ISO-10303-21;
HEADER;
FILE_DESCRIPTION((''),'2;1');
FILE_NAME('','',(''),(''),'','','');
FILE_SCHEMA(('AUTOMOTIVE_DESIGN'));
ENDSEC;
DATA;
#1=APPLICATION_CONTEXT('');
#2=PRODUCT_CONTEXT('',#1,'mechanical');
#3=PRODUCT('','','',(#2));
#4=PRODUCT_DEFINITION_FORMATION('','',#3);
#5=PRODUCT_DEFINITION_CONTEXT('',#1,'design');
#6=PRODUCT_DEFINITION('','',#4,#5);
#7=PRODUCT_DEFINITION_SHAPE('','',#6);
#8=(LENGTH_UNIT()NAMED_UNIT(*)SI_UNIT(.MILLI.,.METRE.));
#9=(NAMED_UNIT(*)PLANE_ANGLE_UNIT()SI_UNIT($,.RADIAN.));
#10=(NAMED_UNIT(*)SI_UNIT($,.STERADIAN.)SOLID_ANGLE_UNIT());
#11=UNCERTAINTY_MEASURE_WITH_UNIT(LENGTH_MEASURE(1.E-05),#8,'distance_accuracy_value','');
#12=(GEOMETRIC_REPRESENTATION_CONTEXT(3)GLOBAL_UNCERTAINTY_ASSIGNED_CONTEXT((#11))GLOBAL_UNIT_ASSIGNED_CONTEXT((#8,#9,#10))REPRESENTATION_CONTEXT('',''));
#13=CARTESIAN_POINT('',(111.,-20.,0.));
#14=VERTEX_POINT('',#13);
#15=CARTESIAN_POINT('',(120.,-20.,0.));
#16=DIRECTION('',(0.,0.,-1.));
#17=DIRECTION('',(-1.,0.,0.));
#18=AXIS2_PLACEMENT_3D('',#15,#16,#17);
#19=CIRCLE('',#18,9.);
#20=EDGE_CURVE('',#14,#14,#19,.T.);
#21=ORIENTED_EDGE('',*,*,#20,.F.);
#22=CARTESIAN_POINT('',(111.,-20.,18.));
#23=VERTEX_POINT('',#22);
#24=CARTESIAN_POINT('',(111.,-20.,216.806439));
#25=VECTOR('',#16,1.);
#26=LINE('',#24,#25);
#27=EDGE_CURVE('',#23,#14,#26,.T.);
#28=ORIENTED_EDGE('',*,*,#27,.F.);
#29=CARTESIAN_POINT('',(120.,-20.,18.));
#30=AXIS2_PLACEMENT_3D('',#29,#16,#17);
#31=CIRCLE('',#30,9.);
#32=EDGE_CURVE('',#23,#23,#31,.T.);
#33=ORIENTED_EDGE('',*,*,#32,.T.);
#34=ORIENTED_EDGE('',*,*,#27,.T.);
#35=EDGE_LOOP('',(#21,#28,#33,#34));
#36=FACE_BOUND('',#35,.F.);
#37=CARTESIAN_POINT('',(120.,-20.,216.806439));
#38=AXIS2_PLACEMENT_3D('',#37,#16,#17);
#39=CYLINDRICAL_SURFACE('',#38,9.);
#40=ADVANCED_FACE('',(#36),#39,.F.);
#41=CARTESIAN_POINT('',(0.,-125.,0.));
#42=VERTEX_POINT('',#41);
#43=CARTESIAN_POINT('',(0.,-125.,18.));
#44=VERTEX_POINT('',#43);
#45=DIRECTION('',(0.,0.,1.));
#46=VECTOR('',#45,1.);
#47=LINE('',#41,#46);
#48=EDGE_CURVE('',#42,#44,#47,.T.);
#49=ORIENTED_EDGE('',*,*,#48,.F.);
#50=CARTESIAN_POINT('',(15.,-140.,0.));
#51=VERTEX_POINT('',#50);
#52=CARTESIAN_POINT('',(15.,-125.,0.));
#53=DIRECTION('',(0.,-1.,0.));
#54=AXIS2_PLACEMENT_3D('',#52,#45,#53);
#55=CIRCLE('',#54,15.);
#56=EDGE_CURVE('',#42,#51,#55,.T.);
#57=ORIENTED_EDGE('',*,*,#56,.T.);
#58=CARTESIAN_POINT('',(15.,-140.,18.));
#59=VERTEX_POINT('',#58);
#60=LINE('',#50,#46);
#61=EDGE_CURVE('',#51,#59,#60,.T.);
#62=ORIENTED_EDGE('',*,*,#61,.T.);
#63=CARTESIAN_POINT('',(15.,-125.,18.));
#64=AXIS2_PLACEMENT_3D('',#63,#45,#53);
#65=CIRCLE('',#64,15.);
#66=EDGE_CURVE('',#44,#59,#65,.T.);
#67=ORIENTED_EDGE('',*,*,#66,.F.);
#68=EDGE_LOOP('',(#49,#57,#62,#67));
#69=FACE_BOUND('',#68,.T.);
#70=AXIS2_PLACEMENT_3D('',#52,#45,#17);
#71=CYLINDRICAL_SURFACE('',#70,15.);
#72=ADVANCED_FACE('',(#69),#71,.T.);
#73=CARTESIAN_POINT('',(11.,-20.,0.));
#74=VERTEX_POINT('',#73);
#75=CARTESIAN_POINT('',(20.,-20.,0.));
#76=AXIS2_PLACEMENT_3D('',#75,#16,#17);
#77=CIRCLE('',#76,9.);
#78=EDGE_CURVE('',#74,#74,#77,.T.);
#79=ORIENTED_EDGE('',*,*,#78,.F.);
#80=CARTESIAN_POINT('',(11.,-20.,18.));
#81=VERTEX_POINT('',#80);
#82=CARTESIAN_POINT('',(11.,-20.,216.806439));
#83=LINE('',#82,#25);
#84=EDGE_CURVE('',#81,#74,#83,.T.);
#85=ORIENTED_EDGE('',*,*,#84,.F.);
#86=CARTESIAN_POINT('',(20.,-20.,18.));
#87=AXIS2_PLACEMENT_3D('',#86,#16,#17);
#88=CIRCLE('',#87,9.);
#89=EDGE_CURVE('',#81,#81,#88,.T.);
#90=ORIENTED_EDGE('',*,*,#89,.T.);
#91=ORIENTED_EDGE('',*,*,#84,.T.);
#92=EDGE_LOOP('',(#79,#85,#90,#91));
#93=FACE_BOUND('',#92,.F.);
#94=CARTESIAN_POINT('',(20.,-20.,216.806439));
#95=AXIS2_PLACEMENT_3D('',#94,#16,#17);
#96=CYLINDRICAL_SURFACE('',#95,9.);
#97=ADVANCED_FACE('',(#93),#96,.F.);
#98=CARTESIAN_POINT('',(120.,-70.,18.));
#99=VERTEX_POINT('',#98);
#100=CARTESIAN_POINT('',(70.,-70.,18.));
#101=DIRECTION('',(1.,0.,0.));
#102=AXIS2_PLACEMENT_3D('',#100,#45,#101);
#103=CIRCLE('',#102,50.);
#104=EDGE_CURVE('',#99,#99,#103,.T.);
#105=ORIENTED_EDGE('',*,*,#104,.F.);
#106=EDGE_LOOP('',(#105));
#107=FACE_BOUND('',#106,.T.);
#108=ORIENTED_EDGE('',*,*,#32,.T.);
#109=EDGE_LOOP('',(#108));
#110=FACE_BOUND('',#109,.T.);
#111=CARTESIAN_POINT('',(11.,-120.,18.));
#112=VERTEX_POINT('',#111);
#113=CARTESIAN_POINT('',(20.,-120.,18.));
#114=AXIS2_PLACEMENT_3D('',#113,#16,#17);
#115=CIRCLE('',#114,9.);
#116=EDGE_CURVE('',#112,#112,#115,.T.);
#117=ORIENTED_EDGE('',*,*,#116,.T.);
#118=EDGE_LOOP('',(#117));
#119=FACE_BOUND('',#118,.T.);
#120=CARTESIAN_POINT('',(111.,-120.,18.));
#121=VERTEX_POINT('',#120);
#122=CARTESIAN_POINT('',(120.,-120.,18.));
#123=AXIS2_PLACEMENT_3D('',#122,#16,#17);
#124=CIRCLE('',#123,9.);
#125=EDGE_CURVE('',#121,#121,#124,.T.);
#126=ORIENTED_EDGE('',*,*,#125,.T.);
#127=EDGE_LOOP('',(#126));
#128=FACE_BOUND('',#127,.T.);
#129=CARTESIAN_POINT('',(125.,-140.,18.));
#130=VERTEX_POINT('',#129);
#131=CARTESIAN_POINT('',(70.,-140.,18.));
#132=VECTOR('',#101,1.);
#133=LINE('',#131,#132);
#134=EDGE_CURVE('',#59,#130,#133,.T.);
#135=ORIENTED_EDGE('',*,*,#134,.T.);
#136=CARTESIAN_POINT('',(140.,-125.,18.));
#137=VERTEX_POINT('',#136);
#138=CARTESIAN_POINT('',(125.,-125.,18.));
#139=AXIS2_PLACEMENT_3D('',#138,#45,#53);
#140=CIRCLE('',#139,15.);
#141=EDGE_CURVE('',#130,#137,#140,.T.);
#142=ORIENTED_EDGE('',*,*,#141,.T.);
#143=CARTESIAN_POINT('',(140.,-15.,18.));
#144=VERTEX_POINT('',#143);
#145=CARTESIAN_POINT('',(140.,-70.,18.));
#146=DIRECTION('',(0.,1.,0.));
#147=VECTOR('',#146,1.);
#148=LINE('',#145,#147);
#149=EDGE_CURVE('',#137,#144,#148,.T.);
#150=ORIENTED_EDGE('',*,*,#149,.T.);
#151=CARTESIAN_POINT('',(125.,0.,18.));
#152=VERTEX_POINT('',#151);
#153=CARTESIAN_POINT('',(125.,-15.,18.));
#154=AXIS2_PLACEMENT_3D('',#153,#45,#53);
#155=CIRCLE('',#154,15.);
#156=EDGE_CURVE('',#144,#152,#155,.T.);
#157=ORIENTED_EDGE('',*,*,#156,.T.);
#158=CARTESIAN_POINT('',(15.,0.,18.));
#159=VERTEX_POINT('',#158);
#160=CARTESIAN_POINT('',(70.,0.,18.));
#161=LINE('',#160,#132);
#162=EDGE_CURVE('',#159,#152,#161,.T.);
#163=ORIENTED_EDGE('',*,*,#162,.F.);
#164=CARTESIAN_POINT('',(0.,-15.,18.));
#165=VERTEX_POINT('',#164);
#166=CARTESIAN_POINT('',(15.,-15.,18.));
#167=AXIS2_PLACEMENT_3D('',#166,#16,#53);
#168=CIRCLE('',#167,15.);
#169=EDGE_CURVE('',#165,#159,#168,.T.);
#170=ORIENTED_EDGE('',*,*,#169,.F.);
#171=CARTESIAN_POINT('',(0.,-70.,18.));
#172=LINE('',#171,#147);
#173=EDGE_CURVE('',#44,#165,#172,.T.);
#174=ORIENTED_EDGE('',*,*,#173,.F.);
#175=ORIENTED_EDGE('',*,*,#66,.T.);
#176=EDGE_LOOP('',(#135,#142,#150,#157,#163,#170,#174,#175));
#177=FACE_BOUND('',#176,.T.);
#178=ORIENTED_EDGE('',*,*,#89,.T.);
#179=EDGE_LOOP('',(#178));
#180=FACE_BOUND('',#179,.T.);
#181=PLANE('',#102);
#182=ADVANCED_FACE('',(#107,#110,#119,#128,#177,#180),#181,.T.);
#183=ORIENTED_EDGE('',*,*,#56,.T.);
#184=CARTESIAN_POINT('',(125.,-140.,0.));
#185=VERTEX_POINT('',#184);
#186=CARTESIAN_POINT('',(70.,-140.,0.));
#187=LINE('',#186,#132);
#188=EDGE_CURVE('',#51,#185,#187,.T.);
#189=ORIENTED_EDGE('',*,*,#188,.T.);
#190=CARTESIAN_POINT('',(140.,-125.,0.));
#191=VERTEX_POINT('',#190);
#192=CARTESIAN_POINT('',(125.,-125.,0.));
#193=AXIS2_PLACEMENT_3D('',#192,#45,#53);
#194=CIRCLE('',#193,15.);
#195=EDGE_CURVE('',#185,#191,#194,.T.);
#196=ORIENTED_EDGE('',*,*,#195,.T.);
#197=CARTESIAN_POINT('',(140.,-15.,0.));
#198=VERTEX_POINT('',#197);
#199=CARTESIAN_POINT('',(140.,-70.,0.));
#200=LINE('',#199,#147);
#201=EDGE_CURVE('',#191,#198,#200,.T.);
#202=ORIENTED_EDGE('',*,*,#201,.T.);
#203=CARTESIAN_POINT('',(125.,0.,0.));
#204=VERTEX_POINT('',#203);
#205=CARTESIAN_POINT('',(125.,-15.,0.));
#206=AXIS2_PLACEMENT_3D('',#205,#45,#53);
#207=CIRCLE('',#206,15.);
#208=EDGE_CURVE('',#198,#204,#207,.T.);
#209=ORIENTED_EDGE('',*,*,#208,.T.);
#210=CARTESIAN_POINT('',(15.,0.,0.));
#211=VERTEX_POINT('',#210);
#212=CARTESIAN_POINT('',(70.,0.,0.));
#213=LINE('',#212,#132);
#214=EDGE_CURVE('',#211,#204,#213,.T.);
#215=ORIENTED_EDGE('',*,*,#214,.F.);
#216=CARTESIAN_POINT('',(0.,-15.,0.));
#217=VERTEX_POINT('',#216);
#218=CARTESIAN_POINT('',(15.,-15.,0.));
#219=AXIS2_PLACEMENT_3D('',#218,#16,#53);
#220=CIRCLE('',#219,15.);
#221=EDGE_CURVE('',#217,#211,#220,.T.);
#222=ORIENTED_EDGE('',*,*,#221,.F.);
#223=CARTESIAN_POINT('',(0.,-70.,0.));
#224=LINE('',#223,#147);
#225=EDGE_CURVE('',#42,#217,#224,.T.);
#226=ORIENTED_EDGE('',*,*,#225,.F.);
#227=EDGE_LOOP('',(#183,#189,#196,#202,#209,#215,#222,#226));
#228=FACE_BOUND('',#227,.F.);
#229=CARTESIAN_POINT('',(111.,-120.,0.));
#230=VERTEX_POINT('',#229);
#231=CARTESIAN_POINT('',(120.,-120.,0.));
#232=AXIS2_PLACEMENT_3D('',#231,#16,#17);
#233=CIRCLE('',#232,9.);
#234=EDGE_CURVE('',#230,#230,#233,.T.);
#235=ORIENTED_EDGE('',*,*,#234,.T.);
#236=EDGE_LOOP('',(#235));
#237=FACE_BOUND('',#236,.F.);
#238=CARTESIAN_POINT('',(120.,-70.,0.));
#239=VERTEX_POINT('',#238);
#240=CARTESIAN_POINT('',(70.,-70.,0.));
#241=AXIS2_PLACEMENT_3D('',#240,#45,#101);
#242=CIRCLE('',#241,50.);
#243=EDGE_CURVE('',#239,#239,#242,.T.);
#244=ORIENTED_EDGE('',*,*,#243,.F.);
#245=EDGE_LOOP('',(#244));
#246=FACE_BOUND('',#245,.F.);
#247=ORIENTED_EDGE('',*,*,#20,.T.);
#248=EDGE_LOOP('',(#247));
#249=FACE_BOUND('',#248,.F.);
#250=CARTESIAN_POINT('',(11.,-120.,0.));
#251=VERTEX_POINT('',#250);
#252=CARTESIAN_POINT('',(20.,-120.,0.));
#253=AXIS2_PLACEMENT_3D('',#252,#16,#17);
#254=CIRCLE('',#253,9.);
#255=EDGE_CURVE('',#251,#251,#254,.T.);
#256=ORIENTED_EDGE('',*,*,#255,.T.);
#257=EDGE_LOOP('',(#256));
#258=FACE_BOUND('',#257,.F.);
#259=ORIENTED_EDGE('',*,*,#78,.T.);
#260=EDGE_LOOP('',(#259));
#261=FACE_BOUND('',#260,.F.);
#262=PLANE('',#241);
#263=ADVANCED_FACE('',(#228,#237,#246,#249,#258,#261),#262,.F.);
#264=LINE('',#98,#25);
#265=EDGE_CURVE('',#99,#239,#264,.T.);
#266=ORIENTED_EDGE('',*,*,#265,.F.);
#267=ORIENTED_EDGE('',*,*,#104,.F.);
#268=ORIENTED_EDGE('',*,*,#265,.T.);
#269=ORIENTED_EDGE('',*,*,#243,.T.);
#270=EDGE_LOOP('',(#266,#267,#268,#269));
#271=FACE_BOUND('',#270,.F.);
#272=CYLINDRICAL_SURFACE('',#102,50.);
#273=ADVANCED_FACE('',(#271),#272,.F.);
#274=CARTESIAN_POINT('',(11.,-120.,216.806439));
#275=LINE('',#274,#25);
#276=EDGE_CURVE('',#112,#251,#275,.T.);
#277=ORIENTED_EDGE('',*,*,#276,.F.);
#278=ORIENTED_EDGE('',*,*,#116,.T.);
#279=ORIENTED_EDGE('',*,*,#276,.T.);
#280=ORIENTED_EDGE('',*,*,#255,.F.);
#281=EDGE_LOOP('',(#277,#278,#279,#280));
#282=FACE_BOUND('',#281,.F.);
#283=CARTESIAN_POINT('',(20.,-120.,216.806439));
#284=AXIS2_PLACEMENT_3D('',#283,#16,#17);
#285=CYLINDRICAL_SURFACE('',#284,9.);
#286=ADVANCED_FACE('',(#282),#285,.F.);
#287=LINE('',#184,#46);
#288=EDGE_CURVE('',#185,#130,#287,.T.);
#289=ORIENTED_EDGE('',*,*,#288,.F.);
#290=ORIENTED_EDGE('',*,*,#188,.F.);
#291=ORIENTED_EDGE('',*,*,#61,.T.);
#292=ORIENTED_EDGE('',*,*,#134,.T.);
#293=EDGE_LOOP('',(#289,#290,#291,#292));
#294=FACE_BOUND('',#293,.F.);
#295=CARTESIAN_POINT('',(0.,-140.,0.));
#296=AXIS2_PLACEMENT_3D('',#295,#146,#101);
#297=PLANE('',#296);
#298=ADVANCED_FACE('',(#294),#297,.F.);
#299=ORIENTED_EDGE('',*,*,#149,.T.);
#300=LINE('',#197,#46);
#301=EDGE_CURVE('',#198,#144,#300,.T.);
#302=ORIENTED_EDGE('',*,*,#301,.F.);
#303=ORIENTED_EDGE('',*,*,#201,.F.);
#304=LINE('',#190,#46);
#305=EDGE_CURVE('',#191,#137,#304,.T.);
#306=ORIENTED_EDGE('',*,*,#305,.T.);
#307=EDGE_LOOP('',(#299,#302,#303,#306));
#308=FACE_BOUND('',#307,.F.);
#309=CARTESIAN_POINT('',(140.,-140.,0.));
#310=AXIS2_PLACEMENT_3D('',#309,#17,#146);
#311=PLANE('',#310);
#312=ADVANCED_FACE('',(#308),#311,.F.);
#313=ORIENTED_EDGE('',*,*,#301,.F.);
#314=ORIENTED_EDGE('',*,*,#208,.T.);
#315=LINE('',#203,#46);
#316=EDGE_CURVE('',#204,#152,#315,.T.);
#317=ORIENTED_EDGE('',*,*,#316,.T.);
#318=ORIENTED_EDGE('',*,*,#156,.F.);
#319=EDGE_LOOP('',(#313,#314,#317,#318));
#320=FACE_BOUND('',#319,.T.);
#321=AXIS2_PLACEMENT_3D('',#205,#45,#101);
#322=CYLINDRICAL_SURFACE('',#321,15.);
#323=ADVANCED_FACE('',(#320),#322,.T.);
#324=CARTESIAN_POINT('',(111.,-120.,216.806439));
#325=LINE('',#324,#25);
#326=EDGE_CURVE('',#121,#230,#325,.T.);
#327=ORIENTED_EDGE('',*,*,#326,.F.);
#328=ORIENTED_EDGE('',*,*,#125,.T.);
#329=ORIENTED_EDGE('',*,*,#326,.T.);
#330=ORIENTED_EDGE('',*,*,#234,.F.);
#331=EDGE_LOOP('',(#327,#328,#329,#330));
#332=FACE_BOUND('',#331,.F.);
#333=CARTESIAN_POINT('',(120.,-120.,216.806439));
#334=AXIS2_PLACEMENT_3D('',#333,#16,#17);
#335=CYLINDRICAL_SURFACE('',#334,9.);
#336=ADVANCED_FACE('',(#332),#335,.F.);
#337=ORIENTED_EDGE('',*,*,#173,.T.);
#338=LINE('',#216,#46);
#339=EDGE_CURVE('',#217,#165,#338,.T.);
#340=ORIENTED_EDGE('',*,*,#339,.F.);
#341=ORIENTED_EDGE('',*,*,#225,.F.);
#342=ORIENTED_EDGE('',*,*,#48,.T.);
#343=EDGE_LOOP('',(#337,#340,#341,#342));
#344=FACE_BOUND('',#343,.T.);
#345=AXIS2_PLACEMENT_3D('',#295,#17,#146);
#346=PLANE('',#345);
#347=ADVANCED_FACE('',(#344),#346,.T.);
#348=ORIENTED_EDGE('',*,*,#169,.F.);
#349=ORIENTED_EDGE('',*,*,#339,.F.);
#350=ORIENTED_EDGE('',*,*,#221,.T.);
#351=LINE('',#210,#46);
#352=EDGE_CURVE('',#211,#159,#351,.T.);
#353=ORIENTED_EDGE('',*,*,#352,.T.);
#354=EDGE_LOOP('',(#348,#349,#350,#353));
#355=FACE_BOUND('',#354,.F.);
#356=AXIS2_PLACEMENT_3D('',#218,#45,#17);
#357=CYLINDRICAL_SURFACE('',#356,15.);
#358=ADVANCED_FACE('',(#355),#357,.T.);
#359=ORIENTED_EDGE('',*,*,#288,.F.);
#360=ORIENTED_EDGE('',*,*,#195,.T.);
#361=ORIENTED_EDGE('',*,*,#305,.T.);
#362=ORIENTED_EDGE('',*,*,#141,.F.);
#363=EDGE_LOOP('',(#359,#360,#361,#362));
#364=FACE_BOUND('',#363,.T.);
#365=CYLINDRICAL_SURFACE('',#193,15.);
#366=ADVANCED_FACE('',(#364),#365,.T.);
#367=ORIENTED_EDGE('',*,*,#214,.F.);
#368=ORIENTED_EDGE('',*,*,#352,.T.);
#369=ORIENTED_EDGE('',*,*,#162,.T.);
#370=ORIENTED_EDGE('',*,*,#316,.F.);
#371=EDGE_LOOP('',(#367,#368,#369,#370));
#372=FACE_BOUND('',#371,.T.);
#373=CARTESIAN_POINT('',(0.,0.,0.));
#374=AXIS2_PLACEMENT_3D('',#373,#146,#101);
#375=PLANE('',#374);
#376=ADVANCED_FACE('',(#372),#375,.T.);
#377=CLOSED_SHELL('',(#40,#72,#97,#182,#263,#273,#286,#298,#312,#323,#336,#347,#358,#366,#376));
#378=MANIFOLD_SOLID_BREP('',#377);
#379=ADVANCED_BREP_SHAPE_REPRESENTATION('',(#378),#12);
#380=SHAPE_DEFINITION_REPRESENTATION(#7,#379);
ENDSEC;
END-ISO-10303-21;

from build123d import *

# Parameters (mm, degrees)
F0_W     = 140
F0_H     = 140
F1_DEPTH = 18
F2_R     = 15
F4_D     = 18
F5_R     = 50
F6_DEPTH = 18.001


with BuildPart() as f1:
    # F0 (on Top) → F1 (new body)
    with BuildSketch(Plane.XY):
        with Locations((70, -70)):
            Rectangle(F0_W, F0_H)
    extrude(amount=F1_DEPTH)

    # F2
    f2_edges = [f1.edges().sort_by_distance(p)[0] for p in [
        (0, -140, 9),
        (140, -140, 9),
        (140, 0, 9),
        (0, 0, 9),
    ]]
    fillet(f2_edges, radius=F2_R)

    # F4 (through all)
    with Locations(Plane.XY.offset(18)):
        with Locations((120, -120), (20, -120), (20, -20), (120, -20)):
            Hole(F4_D / 2)

    # F5 (on face) → F6 (cut, through all)
    with BuildSketch(Plane.XY.offset(18)):
        with Locations((70, -70)):
            Circle(F5_R)
    extrude(amount=-F6_DEPTH, mode=Mode.SUBTRACT)


solid = f1.part
